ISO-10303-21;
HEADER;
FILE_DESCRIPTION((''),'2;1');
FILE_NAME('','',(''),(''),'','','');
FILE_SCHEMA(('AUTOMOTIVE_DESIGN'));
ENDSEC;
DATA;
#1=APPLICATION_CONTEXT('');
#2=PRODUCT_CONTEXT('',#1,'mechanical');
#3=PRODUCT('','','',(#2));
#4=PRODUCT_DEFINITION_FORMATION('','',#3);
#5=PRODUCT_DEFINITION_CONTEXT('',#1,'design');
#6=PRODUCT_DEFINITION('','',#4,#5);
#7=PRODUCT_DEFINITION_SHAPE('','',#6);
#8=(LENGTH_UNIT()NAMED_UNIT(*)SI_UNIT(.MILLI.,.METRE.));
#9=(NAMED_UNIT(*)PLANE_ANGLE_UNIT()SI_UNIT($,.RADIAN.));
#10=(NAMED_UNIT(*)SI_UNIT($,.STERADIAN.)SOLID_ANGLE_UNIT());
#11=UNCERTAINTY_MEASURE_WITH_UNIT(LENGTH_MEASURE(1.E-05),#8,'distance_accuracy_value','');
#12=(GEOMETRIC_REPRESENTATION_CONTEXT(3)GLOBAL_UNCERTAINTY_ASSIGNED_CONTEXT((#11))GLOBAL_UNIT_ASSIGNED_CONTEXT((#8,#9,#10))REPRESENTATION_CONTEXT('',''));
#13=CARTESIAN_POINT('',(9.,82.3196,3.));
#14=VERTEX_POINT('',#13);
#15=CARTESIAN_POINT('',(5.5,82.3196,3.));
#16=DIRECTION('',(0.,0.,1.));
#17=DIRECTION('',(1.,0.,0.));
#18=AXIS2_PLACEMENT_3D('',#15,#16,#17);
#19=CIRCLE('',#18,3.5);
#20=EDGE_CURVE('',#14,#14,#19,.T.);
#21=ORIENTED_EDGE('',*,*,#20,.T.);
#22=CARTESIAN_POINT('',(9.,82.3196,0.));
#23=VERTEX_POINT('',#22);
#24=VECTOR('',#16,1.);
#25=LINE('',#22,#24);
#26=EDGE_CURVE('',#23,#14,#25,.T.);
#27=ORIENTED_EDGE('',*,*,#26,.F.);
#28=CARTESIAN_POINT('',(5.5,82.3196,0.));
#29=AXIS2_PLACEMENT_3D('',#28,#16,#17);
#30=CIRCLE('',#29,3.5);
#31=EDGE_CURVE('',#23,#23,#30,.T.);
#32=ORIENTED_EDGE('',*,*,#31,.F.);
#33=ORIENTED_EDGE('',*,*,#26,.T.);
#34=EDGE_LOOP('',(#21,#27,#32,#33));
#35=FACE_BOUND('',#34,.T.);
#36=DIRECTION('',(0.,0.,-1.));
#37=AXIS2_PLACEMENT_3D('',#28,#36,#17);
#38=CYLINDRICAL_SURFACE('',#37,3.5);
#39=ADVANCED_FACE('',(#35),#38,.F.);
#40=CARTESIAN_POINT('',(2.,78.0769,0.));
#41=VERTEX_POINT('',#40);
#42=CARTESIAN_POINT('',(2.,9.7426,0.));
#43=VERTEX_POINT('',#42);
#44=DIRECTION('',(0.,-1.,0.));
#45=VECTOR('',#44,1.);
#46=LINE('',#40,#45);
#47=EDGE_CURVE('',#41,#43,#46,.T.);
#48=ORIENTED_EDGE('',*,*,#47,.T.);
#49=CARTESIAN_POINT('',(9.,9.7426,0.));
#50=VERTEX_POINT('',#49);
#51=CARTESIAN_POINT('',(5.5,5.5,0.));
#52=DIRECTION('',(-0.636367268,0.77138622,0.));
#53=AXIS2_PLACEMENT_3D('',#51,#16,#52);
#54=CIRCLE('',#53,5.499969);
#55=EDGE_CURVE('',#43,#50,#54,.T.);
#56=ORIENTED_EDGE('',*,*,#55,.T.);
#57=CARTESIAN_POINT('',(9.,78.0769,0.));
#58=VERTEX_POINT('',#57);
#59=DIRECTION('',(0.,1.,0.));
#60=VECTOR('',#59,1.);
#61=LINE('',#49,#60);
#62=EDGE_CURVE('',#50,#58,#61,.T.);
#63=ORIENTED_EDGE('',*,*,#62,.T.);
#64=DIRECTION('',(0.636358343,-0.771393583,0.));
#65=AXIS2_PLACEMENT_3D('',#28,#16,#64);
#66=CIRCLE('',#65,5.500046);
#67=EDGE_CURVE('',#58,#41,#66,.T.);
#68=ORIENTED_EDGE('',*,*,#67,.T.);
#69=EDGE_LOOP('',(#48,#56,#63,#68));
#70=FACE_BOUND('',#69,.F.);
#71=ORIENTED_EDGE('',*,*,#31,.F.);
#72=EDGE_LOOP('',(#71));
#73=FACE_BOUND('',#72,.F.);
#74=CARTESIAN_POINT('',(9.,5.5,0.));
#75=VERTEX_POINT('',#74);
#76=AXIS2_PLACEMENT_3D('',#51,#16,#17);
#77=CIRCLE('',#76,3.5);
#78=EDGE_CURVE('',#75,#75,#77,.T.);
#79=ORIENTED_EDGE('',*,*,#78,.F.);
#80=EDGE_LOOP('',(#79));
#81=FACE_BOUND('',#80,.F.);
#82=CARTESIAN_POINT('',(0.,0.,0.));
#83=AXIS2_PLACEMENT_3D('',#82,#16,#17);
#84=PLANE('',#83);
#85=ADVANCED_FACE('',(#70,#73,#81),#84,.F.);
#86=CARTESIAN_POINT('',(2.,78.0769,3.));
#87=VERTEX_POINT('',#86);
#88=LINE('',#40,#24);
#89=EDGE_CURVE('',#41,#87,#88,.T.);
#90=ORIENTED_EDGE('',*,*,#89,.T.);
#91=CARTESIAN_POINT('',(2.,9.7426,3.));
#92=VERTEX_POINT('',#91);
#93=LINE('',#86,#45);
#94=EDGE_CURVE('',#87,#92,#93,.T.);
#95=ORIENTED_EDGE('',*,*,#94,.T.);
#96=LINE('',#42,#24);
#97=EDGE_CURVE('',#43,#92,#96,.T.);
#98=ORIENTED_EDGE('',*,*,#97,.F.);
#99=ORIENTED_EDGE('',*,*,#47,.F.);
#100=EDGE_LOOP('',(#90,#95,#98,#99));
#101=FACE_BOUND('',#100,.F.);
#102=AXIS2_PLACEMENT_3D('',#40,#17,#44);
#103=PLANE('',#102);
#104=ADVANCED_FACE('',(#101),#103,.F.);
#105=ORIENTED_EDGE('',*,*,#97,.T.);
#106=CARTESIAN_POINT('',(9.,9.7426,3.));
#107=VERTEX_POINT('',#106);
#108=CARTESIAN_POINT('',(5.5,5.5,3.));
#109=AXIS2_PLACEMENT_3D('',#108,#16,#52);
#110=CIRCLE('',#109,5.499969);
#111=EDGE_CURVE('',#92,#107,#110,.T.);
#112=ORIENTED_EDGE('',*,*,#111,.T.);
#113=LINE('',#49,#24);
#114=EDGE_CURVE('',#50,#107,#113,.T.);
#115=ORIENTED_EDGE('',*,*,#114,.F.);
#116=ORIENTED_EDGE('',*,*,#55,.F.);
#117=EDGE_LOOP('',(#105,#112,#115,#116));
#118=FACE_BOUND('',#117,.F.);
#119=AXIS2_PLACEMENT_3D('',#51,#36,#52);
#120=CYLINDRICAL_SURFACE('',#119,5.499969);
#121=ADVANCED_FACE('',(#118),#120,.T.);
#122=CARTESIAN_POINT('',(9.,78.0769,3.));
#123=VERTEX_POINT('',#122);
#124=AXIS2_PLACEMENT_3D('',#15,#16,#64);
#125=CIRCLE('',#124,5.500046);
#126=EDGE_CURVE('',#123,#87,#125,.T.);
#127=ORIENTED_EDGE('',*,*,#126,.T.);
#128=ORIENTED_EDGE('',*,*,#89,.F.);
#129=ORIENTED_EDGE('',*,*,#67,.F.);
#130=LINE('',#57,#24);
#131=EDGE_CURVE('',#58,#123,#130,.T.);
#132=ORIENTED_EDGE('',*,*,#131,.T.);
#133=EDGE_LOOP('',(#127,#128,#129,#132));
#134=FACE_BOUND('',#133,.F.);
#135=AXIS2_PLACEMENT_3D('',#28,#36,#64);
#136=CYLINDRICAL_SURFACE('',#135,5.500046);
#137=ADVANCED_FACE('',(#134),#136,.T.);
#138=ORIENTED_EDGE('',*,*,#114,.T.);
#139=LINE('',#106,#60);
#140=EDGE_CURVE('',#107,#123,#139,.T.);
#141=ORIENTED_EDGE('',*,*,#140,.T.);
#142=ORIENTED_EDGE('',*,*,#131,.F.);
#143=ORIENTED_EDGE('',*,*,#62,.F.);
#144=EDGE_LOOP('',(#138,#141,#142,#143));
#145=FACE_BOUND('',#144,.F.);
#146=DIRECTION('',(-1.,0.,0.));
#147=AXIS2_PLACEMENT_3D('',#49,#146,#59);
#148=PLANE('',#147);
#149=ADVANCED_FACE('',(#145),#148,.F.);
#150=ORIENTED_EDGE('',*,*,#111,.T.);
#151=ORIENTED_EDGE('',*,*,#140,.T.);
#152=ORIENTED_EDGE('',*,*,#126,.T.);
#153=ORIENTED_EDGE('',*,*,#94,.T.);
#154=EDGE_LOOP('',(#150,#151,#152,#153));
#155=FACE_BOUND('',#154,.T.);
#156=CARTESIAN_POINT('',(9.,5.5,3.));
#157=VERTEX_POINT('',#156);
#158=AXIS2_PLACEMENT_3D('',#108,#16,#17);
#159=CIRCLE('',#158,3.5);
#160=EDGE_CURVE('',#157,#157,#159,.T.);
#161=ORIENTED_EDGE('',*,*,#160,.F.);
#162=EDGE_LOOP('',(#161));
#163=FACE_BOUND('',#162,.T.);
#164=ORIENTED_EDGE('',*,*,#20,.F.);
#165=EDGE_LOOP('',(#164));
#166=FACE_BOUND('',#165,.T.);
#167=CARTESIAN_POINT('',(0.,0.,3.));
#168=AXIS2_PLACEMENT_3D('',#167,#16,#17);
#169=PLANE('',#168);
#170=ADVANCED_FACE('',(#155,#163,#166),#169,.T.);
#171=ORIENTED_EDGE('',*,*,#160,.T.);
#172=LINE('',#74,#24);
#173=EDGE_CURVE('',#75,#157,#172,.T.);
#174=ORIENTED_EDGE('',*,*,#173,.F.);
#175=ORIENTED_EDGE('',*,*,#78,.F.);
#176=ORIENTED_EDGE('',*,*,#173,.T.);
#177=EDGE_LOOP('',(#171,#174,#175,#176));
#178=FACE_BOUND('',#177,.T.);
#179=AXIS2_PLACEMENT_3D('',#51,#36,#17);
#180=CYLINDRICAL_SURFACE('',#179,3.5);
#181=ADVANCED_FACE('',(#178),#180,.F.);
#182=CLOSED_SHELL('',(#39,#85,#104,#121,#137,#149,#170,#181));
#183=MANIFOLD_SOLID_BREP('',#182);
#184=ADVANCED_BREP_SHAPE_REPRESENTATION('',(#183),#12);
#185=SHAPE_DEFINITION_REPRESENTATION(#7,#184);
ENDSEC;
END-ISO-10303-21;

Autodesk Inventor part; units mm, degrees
ref_plane "YZ Plane" through (0, 0, 0) normal (1, 0, 0) x (0, 1, 0)
ref_plane "XZ Plane" through (0, 0, 0) normal (0, 1, 0) x (-1, 0, 0)
ref_plane "XY Plane" through (0, 0, 0) normal (0, 0, 1) x (1, 0, 0)
sketch "Sketch6" plane through (0, 0, 0) normal (0, 0, 1) x (1, 0, 0)
  arc A0 (9, 78.0769) -> (2, 78.0769) centre (5.5, 82.3196) ccw
  arc A1 (2, 9.7426) -> (9, 9.7426) centre (5.5, 5.5) ccw
  circle A2 centre (5.5, 5.5) radius 3.5
  circle A3 centre (5.5, 82.3196) radius 3.5
  line L0 (2, 78.0769) -> (2, 9.7426)
  line L1 (9, 9.7426) -> (9, 78.0769)
  point P0 (0, 0)
  dimension "d89" = 76.8196
  dimension "d90" = 7
  dimension "d91" = 7
  dimension "d92" = 5.5
  dimension "d93" = 7
  dimension "d94" = 5.5
extrude "Extrusion3" add sketch "Sketch6" along normal blind 3
properties part number "4P.01.01.17-BC-v1-Final Flap L3 80deg" material "Acrylic, Clear"
